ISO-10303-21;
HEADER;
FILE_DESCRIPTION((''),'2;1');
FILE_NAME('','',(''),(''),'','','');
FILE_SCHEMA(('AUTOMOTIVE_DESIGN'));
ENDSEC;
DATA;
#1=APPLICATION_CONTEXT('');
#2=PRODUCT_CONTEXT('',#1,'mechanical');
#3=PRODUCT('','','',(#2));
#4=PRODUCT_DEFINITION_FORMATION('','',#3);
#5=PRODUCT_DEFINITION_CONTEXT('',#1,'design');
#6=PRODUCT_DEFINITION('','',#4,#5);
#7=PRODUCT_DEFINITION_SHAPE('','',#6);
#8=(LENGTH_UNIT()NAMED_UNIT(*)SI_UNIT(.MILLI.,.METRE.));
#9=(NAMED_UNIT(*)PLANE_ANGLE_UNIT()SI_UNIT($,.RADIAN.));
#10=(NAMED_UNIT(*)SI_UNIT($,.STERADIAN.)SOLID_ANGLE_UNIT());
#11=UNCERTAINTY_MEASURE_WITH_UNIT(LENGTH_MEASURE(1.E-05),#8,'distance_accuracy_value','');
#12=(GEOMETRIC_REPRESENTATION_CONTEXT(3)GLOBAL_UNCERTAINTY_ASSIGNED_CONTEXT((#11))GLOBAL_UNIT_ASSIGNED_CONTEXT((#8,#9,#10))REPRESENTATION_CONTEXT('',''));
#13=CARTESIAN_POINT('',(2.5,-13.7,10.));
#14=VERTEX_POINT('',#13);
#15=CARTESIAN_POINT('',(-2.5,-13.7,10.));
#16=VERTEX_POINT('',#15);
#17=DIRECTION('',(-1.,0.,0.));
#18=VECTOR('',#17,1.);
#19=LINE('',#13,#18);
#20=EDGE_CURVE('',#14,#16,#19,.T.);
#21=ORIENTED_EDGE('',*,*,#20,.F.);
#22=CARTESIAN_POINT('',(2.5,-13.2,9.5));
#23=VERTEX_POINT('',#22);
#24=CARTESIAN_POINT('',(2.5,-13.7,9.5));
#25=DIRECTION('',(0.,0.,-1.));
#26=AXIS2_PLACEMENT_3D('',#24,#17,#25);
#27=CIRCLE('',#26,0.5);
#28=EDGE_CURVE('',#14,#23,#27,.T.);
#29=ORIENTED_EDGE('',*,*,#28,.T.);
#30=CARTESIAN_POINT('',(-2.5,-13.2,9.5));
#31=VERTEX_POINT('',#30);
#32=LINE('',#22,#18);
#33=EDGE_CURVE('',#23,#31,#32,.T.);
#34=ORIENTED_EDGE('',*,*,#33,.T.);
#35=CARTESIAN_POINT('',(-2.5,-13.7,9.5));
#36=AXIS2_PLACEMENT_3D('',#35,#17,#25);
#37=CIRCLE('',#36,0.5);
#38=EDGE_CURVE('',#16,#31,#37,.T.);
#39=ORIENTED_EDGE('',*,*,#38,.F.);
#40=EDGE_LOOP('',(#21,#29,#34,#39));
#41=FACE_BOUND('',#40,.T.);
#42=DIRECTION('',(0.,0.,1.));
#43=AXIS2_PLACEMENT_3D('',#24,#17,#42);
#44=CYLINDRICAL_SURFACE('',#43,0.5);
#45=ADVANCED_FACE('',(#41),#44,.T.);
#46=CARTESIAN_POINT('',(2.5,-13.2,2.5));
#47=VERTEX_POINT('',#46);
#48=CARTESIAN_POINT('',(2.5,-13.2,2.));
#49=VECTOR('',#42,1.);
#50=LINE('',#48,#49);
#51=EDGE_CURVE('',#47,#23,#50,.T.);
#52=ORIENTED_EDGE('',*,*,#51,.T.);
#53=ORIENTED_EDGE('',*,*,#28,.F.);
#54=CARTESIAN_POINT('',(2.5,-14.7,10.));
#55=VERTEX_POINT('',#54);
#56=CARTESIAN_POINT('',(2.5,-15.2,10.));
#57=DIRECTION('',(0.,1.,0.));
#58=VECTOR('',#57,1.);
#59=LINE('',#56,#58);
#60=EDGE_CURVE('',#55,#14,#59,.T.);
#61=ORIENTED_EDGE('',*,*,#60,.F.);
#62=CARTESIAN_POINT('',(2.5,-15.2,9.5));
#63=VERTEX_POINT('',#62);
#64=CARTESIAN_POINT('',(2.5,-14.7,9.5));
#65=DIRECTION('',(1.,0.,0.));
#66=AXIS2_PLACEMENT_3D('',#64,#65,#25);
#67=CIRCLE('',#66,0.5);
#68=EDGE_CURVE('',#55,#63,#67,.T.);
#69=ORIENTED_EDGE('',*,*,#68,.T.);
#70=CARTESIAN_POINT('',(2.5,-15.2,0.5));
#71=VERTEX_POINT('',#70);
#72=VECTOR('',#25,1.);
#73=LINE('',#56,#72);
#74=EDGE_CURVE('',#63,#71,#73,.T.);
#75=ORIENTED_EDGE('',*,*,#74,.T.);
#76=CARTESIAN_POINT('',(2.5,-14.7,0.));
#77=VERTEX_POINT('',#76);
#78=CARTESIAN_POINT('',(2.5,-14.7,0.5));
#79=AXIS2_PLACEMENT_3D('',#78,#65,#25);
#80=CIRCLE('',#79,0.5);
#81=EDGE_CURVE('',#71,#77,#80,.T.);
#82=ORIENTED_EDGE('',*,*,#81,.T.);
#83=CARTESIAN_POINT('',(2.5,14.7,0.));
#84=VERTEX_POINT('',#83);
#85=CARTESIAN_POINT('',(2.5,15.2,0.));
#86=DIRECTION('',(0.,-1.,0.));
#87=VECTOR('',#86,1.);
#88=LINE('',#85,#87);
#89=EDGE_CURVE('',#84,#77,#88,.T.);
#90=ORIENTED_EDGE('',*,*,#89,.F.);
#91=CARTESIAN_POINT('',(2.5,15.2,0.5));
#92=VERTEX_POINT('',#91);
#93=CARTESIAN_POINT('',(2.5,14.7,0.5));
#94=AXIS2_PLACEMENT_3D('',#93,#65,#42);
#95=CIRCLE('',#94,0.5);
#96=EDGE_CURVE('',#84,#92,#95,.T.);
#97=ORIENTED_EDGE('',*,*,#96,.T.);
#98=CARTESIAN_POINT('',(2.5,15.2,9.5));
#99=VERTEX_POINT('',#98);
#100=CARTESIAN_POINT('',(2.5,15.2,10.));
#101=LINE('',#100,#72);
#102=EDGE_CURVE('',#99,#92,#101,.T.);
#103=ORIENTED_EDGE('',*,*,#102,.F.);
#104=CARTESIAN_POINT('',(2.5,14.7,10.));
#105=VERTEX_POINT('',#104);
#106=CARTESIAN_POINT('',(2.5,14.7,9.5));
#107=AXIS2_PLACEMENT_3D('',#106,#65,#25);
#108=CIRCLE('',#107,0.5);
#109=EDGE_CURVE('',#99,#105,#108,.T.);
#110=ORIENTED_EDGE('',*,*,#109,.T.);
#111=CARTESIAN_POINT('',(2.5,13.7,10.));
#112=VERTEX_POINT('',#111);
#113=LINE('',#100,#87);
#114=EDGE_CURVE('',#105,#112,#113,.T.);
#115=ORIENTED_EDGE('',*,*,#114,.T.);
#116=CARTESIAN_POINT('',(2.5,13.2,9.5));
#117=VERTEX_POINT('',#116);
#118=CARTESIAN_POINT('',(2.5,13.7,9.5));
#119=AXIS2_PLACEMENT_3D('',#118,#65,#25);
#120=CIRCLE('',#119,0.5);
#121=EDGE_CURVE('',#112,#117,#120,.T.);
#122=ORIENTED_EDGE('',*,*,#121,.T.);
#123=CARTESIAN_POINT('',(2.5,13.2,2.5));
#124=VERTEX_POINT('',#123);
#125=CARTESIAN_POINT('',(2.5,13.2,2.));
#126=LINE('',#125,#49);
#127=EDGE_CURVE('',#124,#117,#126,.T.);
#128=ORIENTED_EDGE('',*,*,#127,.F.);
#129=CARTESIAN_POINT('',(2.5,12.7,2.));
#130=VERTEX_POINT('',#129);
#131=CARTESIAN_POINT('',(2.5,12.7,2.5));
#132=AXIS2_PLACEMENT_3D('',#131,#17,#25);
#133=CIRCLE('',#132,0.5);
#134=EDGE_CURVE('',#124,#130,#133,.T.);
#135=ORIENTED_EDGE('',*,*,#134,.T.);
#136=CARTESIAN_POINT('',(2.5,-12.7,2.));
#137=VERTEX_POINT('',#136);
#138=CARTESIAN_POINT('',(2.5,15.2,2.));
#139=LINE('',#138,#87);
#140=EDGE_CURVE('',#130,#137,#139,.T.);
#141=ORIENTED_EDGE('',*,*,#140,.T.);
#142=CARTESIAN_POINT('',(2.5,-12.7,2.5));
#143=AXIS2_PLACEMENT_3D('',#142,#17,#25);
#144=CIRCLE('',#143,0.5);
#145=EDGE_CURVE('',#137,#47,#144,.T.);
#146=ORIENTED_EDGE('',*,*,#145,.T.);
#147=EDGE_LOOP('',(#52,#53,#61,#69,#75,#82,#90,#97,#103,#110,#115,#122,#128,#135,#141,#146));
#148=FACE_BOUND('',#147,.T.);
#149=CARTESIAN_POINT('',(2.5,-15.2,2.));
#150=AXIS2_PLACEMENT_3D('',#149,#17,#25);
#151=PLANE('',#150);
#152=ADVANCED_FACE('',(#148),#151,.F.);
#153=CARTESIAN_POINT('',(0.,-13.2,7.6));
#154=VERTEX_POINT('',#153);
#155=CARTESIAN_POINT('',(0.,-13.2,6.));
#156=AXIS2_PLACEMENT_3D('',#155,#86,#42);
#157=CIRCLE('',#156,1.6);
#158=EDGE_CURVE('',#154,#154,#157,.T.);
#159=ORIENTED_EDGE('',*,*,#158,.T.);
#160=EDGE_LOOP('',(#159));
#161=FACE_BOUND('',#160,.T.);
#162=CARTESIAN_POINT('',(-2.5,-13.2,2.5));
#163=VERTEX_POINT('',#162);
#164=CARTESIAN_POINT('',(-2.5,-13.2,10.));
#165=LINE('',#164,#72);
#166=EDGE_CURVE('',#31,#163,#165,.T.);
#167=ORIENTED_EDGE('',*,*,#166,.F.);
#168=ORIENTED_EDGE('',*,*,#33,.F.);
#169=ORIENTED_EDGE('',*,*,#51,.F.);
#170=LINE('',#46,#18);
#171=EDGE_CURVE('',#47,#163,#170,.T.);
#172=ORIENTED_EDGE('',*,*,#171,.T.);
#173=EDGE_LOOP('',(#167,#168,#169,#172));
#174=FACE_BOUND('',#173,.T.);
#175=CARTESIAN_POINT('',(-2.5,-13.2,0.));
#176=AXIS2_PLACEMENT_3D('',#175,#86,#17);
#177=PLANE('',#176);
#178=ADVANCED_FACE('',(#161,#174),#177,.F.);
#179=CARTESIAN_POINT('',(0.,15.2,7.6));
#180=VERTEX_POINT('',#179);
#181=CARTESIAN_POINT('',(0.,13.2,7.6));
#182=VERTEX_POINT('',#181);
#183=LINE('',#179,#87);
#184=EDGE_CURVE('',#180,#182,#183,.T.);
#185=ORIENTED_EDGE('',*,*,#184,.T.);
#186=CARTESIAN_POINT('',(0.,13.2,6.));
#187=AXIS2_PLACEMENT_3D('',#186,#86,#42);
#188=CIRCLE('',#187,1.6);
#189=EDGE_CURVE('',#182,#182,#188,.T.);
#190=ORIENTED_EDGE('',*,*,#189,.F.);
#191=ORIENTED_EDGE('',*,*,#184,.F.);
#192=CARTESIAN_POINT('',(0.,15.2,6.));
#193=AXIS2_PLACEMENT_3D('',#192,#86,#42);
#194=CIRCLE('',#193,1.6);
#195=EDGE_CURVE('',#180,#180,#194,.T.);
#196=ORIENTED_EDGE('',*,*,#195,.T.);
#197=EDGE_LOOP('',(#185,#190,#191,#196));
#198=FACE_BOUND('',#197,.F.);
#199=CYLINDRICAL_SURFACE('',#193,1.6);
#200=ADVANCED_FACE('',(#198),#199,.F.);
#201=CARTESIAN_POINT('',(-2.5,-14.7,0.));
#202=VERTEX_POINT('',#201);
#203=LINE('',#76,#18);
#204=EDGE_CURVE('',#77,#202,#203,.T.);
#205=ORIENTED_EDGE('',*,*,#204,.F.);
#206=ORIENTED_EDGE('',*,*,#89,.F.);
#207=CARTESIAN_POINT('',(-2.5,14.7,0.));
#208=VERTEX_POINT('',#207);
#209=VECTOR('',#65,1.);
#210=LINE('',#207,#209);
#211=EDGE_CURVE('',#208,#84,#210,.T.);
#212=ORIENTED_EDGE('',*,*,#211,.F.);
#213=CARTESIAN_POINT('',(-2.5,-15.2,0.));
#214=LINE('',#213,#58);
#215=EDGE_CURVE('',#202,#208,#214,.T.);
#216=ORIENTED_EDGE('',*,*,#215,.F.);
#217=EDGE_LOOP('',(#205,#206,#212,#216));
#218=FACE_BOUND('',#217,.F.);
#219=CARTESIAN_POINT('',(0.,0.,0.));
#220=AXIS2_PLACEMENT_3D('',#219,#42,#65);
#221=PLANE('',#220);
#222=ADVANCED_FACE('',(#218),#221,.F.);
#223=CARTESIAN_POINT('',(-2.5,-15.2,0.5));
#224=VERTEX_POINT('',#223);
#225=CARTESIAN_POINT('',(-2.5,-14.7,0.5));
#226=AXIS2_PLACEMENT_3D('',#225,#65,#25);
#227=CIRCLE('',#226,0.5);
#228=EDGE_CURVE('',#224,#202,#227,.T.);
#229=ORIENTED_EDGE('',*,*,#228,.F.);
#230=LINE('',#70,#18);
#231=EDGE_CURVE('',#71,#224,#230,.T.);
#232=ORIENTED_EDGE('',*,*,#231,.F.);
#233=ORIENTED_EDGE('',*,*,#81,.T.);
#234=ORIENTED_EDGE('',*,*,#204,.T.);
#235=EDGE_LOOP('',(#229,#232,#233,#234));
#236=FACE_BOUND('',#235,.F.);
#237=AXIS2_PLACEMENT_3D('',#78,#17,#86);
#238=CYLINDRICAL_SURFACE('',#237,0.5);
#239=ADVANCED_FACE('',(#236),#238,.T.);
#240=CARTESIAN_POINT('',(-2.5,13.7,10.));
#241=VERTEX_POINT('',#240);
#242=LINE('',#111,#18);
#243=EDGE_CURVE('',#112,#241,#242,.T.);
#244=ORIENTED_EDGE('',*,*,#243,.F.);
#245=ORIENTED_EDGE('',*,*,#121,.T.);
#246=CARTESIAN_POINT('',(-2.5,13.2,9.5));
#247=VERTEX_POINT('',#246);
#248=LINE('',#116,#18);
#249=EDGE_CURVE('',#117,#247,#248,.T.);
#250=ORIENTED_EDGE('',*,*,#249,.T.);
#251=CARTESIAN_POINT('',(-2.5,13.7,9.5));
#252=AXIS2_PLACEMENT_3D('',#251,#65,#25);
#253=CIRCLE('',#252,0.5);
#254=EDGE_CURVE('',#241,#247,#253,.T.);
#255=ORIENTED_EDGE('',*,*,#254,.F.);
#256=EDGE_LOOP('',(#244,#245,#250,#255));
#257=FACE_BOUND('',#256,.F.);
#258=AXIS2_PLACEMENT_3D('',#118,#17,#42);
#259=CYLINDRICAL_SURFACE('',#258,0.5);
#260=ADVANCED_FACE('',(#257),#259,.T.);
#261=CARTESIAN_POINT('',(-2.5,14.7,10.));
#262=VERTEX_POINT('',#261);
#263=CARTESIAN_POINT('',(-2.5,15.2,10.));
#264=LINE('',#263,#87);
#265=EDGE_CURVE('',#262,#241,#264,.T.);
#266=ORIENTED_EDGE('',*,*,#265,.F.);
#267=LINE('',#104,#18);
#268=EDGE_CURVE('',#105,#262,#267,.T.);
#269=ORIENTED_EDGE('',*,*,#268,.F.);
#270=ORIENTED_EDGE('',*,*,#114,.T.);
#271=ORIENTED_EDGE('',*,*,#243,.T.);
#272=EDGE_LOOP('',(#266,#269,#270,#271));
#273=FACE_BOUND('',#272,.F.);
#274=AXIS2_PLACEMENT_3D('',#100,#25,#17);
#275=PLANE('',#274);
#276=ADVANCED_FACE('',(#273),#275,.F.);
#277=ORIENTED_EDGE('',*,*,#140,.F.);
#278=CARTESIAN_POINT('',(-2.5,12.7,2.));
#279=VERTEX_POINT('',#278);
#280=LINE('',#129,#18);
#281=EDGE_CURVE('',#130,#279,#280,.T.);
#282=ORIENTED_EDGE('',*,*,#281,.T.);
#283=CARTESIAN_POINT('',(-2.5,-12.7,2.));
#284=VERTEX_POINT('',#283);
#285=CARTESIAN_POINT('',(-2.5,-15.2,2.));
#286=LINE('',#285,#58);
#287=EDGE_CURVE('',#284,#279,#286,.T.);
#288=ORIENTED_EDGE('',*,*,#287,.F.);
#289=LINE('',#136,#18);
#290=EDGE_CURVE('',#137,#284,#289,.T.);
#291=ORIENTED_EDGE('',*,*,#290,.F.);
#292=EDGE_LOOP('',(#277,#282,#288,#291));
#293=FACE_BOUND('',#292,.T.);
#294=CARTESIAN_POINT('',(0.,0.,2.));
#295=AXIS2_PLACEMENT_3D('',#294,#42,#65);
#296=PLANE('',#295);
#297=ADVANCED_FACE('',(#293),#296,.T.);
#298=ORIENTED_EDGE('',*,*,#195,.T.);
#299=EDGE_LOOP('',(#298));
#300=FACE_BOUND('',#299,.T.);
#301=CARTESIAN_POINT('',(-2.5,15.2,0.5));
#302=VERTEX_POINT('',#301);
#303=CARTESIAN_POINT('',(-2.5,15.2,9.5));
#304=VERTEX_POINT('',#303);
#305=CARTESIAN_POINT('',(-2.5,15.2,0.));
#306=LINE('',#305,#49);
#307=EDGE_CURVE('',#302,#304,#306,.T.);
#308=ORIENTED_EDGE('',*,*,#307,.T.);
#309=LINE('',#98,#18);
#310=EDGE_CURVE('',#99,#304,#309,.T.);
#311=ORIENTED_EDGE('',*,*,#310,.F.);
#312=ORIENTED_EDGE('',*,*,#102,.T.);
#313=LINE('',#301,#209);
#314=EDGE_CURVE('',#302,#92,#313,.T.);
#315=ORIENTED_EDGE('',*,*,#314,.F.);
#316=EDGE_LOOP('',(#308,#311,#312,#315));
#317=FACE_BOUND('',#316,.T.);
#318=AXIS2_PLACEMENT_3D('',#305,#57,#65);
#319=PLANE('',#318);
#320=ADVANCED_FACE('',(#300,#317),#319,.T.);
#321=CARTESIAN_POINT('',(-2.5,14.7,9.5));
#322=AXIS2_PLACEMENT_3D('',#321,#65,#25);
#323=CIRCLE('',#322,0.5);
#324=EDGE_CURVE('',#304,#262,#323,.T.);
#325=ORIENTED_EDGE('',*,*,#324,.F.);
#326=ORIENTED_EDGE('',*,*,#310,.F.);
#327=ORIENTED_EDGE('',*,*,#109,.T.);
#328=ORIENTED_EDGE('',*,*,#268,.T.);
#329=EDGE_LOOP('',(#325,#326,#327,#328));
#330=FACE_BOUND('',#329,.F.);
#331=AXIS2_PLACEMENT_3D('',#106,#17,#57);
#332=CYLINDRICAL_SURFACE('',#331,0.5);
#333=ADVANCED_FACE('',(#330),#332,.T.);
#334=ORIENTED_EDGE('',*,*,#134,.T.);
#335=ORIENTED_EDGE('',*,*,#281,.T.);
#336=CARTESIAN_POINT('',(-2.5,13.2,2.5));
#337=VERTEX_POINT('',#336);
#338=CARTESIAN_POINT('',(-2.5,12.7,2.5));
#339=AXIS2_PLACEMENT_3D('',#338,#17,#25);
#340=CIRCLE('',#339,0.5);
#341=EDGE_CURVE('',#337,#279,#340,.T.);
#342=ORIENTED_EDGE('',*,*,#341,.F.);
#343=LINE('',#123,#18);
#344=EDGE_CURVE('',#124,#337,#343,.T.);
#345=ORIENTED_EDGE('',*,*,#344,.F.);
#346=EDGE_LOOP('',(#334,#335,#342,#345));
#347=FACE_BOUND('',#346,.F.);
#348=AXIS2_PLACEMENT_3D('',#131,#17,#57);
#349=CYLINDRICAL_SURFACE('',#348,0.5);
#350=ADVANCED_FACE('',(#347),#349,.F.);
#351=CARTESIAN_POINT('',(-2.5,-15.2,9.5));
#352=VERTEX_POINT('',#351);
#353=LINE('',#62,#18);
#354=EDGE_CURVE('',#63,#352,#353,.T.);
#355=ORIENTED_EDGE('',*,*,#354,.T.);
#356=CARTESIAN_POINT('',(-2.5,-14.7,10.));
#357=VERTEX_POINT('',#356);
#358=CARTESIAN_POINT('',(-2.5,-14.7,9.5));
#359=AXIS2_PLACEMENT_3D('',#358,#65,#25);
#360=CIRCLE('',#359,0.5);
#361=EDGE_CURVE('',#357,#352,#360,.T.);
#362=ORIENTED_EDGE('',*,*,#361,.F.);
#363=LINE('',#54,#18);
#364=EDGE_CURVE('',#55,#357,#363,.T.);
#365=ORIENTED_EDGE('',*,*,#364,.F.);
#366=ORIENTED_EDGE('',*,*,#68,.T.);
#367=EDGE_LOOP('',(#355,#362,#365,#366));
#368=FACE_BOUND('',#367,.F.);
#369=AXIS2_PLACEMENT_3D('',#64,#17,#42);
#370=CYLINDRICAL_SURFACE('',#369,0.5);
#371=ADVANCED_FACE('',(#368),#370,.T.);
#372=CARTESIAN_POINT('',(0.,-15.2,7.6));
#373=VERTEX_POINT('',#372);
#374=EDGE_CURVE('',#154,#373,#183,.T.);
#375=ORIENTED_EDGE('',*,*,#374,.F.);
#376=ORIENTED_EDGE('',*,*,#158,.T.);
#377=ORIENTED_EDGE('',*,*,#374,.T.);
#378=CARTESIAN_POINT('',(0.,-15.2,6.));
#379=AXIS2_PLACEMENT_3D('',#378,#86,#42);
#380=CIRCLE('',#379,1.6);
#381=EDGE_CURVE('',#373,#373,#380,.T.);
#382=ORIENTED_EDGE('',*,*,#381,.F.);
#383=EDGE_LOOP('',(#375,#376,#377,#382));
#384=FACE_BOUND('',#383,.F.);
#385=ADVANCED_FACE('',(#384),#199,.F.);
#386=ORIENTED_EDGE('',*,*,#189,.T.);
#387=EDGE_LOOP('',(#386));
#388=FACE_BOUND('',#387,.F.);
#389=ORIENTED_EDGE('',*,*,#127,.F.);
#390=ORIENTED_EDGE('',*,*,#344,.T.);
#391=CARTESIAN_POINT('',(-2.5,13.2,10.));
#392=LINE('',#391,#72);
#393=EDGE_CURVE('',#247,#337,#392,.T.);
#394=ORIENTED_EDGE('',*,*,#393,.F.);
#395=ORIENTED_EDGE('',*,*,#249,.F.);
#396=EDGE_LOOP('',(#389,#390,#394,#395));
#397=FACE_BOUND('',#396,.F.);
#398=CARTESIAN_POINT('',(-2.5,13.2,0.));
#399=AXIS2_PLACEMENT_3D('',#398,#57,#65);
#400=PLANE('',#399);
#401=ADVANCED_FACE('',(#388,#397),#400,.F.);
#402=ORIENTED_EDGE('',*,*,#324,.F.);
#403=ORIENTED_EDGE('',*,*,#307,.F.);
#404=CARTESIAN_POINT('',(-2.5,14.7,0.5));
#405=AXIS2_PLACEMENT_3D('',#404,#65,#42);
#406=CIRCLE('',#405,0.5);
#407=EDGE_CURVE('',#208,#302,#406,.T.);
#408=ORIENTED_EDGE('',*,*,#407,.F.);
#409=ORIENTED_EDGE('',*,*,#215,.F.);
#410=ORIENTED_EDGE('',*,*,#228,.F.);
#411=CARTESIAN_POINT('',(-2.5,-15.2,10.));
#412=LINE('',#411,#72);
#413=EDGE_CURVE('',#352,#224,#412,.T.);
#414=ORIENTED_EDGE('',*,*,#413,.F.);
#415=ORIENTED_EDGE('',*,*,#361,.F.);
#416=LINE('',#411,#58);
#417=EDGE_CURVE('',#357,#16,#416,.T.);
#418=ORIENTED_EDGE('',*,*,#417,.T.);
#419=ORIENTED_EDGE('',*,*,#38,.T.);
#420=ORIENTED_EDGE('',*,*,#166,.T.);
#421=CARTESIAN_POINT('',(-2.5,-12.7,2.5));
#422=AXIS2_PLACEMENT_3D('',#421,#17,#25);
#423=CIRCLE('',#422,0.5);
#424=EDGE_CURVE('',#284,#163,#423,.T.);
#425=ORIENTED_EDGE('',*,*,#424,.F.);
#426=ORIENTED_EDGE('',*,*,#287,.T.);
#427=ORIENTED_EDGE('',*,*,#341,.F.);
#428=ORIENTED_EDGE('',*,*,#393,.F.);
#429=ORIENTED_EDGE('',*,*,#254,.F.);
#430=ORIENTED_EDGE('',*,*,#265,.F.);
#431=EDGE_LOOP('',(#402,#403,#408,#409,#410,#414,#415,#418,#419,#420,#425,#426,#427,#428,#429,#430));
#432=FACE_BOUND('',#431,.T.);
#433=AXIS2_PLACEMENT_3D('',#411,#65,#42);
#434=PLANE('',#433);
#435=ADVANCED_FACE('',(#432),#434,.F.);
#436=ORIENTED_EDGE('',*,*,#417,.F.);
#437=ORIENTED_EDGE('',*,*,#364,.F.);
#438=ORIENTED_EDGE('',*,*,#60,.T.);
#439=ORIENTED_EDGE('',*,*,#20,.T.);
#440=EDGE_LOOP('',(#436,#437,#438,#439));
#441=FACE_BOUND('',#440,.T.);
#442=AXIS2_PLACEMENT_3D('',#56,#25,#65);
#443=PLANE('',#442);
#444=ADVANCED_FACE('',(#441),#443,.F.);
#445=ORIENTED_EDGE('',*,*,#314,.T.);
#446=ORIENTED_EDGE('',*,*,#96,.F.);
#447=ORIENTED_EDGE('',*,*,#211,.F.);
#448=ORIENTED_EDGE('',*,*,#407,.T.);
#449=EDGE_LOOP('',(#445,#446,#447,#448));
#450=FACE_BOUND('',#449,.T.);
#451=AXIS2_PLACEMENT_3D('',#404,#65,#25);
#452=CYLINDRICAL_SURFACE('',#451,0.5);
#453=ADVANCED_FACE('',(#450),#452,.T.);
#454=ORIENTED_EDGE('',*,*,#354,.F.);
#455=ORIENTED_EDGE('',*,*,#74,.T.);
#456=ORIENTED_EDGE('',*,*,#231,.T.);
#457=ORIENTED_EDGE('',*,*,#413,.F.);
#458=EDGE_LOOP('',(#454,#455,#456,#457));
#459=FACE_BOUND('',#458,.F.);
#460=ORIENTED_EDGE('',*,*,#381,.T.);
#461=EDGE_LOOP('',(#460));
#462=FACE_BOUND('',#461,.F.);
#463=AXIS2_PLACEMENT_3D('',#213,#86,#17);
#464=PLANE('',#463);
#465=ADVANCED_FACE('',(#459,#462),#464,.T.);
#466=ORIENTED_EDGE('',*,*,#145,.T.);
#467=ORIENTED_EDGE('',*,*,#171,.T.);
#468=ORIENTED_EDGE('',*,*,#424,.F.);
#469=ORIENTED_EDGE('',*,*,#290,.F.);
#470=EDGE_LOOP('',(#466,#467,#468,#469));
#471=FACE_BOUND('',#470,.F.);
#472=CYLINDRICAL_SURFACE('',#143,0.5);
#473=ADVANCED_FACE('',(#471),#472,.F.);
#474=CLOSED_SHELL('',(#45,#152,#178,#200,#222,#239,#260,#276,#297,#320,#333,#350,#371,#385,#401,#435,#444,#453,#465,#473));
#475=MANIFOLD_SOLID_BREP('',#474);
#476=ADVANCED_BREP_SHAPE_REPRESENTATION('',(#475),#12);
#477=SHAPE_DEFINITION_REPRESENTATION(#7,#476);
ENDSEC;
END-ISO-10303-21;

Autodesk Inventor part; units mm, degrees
ref_plane "YZ Plane" through (0, 0, 0) normal (1, 0, 0) x (0, 1, 0)
ref_plane "XZ Plane" through (0, 0, 0) normal (0, 1, 0) x (-1, 0, 0)
ref_plane "XY Plane" through (0, 0, 0) normal (0, 0, 1) x (1, 0, 0)
sketch "Sketch1" plane through (0, 0, 0) normal (0, 0, 1) x (1, 0, 0)
  line L0 (-2.5, 15.2) -> (2.5, 15.2)
  line L1 (2.5, 15.2) -> (2.5, -15.2)
  line L2 (2.5, -15.2) -> (-2.5, -15.2)
  line L3 (-2.5, -15.2) -> (-2.5, 15.2)
  point P0 (0, 0)
  point P1 (2.5, 0)
  point P2 (0, 15.2)
  dimension "d0" = 30.4
  dimension "d1" = 5
extrude "Extrusion1" add sketch "Sketch1" along normal blind 2
sketch "Sketch2" plane through (-2.5, 15.2, 0) normal (0, 1, 0) x (1, 0, 0)
  line L0 (5, -2) -> (0, -2) projected
  line L1 (0, -2) -> (5, -2)
  line L2 (5, -2) -> (5, -10)
  line L3 (5, -10) -> (0, -10)
  line L4 (0, -10) -> (0, -2)
  point P0 (2.5, 0)
  dimension "d4" = 5
  dimension "d5" = 8
extrude "Extrusion2" add sketch "Sketch2" against normal blind 2
mirror "Mirror1" about plane through (0, 0, 0) normal (0, 1, 0) of "Extrusion2"
sketch "Sketch3" plane through (-2.5, 15.2, 0) normal (0, 1, 0) x (1, 0, 0)
  line L0 (5, -10) -> (0, -10) projected
  line L1 (5, -2) -> (5, -10) projected
  line L2 (0, -2) -> (5, -2) projected
  line L3 (0, -10) -> (0, -2) projected
  point P0 (2.5, 0)
  point P1 (2.5, -6)
  point P2 (2.5, -2)
  point P3 (0, -6)
hole "Hole1" at (0, 15.2, 6) direction (0, -1, 0) diameter 3.2 depth 30.4 clearance for "Flat Head Machine Screw" size "M3" standard "Ansi Metric M Profile"
fillet "Fillet1" radius 0.5 8 edges at (0, 15.2, 0) (0, -15.2, 0) (0, -15.2, 10) (0, -13.2, 10) (0, -13.2, 2) (0, 13.2, 2) (0, 13.2, 10) (0, 15.2, 10)
properties part number "bobastacksupport" material "Aluminum 6061"
